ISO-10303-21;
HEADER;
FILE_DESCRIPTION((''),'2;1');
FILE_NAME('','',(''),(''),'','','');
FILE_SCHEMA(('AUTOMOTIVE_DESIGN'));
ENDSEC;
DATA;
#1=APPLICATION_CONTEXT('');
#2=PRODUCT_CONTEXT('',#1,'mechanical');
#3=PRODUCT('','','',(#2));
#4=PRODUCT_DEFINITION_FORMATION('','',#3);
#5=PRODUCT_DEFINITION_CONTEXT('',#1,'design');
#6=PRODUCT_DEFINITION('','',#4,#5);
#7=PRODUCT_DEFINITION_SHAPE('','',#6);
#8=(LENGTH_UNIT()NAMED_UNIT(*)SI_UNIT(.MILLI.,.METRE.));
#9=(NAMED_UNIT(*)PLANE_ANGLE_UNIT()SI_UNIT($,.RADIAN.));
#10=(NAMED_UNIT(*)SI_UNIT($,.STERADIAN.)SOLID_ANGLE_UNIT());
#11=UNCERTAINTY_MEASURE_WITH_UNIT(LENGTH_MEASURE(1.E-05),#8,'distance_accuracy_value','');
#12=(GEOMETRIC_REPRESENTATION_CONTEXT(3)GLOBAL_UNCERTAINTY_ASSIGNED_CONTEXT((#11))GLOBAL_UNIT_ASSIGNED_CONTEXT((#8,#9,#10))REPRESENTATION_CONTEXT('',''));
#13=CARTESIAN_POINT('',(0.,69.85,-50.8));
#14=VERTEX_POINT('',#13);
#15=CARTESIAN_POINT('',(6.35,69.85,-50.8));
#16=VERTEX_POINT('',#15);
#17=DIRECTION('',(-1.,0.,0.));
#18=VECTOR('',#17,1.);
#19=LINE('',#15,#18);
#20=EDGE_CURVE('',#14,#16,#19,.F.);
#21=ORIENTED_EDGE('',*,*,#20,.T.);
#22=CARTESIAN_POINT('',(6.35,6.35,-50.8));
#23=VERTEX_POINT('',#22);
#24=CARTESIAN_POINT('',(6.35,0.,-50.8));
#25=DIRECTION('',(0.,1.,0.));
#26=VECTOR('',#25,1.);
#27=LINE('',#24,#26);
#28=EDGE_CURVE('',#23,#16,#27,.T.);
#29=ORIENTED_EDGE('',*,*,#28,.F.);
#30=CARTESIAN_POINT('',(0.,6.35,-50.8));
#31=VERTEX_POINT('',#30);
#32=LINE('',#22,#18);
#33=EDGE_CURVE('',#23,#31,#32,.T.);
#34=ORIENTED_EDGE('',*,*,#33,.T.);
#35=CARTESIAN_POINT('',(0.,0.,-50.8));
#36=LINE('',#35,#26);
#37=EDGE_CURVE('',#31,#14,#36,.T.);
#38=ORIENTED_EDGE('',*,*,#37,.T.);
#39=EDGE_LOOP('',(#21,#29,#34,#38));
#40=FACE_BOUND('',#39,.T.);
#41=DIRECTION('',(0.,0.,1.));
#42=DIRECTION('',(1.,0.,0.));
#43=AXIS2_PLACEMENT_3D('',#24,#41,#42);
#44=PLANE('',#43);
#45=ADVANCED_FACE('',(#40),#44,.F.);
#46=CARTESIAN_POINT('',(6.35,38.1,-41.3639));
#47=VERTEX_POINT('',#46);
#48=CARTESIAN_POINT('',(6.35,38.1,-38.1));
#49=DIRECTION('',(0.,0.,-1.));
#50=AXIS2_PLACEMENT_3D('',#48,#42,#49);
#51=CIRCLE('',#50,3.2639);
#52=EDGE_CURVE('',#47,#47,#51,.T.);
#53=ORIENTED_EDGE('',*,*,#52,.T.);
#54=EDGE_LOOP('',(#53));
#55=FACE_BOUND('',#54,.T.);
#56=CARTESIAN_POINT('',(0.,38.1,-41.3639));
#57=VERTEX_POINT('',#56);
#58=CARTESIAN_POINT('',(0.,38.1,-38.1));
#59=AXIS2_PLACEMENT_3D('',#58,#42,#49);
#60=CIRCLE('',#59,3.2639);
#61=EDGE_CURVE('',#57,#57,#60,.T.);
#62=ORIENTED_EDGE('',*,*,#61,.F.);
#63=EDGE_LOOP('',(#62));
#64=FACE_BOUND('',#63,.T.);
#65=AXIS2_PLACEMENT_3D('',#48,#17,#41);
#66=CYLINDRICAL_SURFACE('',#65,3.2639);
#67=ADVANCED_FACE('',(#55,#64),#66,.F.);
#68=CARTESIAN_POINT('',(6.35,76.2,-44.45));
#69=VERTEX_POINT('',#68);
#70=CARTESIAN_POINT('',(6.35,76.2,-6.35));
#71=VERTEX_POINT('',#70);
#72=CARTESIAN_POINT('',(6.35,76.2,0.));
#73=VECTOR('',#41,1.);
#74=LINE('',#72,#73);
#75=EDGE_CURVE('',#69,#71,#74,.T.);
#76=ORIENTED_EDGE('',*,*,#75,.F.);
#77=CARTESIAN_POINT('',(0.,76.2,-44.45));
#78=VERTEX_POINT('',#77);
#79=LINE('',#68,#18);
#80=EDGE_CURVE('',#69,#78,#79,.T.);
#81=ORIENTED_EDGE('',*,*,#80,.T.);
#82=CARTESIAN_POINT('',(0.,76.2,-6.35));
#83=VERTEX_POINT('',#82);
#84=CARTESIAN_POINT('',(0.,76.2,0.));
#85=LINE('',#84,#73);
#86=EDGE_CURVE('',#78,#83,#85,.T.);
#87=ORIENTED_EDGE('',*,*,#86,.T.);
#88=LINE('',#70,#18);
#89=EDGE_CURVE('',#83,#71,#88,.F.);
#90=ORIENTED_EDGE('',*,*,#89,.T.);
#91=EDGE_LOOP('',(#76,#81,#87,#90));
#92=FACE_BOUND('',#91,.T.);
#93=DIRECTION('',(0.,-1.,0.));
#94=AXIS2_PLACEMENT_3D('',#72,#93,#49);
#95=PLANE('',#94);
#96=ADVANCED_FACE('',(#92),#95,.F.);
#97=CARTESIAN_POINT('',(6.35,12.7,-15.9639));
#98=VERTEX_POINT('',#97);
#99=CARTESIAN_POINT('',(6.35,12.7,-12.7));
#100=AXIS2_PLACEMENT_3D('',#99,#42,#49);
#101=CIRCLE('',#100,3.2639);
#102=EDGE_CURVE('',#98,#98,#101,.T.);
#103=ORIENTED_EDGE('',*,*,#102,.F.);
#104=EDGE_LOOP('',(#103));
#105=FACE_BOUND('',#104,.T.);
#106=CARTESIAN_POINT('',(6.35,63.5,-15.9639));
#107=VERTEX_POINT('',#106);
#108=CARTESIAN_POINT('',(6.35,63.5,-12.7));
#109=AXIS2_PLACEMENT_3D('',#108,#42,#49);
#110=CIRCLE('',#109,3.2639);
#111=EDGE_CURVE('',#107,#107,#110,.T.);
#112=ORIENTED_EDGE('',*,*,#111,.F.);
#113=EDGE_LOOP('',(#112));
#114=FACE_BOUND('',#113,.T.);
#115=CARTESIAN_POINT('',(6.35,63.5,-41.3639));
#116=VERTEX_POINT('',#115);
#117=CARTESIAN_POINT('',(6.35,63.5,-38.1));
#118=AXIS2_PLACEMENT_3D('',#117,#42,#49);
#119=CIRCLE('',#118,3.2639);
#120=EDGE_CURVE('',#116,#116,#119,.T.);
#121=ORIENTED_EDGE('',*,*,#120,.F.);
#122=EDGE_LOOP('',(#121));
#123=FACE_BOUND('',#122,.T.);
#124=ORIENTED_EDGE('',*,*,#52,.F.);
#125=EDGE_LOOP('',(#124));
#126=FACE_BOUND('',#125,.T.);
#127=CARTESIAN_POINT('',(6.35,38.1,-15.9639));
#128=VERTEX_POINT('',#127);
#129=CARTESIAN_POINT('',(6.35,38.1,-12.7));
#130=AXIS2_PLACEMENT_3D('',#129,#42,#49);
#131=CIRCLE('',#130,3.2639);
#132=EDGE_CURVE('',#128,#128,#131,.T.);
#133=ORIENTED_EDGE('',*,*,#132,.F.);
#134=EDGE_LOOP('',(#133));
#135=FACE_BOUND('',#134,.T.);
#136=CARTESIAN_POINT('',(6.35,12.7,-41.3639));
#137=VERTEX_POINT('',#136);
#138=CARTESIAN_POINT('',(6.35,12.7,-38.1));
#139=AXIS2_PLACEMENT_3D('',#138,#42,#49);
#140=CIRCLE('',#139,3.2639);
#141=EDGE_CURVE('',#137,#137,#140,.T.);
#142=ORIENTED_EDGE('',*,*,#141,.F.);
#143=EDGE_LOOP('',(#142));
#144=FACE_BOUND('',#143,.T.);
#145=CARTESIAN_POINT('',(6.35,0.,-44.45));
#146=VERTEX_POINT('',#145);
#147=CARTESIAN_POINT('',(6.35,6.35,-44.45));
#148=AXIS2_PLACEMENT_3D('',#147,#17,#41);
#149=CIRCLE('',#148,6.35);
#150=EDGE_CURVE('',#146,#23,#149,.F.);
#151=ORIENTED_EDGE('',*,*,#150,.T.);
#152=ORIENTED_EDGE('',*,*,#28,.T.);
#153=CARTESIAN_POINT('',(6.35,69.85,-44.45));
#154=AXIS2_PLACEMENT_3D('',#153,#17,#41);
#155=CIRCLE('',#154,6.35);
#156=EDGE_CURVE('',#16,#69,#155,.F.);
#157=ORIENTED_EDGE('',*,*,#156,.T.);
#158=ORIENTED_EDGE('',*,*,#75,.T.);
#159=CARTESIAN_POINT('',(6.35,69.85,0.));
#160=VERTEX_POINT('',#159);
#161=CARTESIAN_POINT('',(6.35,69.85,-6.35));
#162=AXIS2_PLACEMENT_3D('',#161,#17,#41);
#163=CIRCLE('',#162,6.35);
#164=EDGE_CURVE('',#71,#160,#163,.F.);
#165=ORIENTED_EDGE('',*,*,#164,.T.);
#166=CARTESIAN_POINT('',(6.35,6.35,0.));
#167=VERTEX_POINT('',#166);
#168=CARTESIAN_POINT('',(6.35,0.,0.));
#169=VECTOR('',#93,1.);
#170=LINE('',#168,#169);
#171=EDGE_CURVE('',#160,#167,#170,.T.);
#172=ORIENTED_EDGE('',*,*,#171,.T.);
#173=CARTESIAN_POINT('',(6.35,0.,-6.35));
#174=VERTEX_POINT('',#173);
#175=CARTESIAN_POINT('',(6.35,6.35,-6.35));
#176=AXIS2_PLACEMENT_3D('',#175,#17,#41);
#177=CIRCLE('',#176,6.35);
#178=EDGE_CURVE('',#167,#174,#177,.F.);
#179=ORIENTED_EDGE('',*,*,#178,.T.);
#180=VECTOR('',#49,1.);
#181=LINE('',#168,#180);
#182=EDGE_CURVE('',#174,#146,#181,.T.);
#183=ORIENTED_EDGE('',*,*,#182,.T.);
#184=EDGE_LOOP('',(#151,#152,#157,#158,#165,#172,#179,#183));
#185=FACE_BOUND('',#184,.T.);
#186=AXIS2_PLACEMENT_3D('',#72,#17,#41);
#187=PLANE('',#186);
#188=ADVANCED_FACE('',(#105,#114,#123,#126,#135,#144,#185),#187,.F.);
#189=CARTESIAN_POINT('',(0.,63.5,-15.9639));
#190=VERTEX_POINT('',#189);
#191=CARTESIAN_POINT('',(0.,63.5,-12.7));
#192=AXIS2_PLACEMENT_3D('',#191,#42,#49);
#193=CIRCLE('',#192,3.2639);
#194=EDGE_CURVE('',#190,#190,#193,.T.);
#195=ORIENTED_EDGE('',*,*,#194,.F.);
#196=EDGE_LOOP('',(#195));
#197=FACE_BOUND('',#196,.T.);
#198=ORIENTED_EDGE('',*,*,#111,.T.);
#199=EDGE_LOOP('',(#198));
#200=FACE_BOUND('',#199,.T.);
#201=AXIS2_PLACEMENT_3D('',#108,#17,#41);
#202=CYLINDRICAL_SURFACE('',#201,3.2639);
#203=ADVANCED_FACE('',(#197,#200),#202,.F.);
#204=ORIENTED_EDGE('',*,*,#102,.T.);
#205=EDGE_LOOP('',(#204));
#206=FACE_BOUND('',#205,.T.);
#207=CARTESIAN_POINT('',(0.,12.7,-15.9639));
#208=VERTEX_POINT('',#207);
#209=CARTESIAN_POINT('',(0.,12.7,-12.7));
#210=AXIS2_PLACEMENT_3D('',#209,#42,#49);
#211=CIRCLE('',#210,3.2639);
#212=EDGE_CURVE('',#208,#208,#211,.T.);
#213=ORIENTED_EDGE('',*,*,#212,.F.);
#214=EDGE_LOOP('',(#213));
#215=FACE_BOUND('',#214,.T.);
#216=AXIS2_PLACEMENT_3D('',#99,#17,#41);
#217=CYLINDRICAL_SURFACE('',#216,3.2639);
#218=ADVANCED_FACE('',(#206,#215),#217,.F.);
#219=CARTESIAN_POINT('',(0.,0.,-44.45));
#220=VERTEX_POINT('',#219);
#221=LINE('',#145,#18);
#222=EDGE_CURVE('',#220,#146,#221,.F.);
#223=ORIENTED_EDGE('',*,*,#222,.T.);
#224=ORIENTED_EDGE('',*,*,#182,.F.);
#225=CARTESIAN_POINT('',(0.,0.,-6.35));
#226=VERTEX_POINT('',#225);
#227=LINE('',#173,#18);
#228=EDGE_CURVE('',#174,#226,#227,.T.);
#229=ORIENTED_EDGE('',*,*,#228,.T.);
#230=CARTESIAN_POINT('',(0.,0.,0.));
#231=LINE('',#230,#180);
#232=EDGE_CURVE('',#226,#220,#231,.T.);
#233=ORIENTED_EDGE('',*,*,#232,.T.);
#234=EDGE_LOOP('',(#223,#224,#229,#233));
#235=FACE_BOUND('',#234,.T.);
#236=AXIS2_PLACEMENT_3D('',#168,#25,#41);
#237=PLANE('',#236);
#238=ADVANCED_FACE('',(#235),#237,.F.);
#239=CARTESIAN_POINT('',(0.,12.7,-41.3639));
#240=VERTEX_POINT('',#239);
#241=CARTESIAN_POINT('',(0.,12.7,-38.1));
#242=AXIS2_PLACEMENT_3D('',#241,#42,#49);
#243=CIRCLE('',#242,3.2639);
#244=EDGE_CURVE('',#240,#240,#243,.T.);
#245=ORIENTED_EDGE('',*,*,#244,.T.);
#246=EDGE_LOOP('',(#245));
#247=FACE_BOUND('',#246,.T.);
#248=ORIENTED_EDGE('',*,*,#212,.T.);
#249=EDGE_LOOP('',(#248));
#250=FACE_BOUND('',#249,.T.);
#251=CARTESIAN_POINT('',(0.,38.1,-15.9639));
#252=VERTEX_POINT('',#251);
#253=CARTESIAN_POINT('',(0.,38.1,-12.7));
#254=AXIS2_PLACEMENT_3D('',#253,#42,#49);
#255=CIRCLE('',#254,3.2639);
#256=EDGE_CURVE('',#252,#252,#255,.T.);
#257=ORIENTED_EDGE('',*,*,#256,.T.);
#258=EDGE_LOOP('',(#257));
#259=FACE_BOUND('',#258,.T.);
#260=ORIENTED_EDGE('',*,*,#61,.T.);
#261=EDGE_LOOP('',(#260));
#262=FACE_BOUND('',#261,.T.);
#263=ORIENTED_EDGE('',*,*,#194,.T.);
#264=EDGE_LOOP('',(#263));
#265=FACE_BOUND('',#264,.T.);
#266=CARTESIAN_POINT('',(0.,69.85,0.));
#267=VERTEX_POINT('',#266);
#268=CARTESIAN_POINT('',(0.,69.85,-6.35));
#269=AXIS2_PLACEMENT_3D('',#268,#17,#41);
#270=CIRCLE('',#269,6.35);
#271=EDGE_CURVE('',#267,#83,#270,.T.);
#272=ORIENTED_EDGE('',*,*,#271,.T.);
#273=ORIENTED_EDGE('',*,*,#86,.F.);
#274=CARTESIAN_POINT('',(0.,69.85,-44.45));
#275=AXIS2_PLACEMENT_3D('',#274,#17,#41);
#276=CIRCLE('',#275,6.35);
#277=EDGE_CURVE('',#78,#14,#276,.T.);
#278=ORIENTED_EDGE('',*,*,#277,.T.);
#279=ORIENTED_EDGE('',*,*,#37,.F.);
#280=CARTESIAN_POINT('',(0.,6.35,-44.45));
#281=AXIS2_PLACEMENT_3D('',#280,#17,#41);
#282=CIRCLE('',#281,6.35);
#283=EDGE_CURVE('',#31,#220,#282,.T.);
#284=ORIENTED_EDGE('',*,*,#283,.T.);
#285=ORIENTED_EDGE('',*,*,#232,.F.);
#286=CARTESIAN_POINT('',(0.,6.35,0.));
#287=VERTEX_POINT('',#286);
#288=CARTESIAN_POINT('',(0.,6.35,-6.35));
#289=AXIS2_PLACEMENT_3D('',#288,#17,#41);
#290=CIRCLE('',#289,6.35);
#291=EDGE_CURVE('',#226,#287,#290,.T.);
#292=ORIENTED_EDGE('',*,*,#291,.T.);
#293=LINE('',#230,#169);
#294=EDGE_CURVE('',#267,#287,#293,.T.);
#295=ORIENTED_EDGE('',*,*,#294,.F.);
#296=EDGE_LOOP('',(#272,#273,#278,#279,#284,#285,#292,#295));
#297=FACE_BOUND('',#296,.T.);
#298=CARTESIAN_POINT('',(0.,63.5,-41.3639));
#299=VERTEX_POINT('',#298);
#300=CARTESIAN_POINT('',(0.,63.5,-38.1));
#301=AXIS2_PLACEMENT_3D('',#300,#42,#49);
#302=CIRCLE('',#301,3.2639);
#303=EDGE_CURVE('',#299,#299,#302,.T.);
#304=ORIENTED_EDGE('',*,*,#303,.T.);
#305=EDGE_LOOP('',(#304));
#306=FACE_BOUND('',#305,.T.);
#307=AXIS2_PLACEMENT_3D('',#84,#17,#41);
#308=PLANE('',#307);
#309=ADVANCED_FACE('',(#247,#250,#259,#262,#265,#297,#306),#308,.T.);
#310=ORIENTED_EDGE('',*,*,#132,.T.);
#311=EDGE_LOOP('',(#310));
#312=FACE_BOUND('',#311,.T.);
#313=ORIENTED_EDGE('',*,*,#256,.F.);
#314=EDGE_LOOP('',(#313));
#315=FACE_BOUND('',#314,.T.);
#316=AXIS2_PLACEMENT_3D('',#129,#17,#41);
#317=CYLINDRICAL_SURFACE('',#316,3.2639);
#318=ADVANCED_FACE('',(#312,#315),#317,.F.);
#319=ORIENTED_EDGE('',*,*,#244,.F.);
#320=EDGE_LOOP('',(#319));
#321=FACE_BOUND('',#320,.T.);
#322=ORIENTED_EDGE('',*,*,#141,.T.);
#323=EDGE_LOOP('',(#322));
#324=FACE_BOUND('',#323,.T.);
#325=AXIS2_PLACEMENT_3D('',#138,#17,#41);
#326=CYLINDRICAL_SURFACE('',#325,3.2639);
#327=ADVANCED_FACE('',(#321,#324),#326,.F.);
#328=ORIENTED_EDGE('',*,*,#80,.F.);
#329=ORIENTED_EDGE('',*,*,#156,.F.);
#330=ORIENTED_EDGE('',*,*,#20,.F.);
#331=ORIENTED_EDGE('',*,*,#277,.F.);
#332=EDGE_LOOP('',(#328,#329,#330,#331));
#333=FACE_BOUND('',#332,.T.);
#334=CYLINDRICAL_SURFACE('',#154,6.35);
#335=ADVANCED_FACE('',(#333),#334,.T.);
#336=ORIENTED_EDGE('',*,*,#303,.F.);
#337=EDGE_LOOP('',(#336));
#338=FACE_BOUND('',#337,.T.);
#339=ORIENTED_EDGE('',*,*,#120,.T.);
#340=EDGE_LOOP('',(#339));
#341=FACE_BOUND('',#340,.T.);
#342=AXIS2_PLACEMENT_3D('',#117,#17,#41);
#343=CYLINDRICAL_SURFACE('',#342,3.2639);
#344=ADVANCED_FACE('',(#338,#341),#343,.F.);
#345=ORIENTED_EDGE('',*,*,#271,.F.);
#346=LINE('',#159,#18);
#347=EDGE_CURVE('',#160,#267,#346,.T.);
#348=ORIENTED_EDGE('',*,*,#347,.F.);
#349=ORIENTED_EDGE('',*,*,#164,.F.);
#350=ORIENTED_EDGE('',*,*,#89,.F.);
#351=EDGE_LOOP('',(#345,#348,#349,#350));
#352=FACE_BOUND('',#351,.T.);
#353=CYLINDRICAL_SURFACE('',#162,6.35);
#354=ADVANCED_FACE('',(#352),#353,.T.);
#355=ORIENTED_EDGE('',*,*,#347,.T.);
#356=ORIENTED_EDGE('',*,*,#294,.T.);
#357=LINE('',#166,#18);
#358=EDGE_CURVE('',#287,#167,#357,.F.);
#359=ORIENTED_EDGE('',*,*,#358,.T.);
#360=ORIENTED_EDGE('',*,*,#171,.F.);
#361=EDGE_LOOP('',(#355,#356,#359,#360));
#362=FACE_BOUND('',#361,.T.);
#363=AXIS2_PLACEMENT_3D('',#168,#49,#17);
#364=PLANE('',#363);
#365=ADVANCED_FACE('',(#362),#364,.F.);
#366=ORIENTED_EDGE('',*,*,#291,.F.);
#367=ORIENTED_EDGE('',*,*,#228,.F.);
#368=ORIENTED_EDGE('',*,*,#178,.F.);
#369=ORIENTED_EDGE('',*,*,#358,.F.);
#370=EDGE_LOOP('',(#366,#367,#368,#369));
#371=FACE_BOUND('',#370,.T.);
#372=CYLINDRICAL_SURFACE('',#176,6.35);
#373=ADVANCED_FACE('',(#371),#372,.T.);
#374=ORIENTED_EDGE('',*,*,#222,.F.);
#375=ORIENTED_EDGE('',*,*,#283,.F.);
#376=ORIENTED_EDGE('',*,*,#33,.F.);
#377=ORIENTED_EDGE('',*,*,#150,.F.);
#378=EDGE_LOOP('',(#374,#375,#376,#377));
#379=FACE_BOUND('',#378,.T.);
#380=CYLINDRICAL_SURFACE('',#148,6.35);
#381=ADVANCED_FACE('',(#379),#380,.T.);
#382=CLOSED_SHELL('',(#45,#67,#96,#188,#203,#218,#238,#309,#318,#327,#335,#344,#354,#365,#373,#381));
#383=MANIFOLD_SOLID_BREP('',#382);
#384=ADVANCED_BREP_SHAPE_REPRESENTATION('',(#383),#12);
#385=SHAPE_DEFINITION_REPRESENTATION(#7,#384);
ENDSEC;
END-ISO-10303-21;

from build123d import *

# Parameters (mm, degrees)
SKETCH1_W      = 50.8
SKETCH1_H      = 76.2
SKETCH1_R      = 3.2639
EXTRUDE1_DEPTH = 6.35
FILLET1_R      = 6.35


with BuildPart() as part:
    # Sketch1 → Extrude1 (new body)
    with BuildSketch(Plane(origin=(0, 0, 0), x_dir=(0, 0, -1), z_dir=(1, 0, 0))):
        with Locations((25.4, 38.1)):
            Rectangle(SKETCH1_W, SKETCH1_H)
        with Locations((12.7, 63.5)):
            Circle(SKETCH1_R, mode=Mode.SUBTRACT)
        with Locations((38.1, 63.5)):
            Circle(SKETCH1_R, mode=Mode.SUBTRACT)
        with Locations((12.7, 38.1)):
            Circle(SKETCH1_R, mode=Mode.SUBTRACT)
        with Locations((38.1, 38.1)):
            Circle(SKETCH1_R, mode=Mode.SUBTRACT)
        with Locations((12.7, 12.7)):
            Circle(SKETCH1_R, mode=Mode.SUBTRACT)
        with Locations((38.1, 12.7)):
            Circle(SKETCH1_R, mode=Mode.SUBTRACT)
    extrude(amount=EXTRUDE1_DEPTH)

    # Fillet1
    fillet1_edges = [part.edges().sort_by_distance(p)[0] for p in [
        (3.175, 76.2, 0),
        (3.175, 76.2, -50.8),
        (3.175, 0, -50.8),
        (3.175, 0, 0),
    ]]
    fillet(fillet1_edges, radius=FILLET1_R)


solid = part.part
